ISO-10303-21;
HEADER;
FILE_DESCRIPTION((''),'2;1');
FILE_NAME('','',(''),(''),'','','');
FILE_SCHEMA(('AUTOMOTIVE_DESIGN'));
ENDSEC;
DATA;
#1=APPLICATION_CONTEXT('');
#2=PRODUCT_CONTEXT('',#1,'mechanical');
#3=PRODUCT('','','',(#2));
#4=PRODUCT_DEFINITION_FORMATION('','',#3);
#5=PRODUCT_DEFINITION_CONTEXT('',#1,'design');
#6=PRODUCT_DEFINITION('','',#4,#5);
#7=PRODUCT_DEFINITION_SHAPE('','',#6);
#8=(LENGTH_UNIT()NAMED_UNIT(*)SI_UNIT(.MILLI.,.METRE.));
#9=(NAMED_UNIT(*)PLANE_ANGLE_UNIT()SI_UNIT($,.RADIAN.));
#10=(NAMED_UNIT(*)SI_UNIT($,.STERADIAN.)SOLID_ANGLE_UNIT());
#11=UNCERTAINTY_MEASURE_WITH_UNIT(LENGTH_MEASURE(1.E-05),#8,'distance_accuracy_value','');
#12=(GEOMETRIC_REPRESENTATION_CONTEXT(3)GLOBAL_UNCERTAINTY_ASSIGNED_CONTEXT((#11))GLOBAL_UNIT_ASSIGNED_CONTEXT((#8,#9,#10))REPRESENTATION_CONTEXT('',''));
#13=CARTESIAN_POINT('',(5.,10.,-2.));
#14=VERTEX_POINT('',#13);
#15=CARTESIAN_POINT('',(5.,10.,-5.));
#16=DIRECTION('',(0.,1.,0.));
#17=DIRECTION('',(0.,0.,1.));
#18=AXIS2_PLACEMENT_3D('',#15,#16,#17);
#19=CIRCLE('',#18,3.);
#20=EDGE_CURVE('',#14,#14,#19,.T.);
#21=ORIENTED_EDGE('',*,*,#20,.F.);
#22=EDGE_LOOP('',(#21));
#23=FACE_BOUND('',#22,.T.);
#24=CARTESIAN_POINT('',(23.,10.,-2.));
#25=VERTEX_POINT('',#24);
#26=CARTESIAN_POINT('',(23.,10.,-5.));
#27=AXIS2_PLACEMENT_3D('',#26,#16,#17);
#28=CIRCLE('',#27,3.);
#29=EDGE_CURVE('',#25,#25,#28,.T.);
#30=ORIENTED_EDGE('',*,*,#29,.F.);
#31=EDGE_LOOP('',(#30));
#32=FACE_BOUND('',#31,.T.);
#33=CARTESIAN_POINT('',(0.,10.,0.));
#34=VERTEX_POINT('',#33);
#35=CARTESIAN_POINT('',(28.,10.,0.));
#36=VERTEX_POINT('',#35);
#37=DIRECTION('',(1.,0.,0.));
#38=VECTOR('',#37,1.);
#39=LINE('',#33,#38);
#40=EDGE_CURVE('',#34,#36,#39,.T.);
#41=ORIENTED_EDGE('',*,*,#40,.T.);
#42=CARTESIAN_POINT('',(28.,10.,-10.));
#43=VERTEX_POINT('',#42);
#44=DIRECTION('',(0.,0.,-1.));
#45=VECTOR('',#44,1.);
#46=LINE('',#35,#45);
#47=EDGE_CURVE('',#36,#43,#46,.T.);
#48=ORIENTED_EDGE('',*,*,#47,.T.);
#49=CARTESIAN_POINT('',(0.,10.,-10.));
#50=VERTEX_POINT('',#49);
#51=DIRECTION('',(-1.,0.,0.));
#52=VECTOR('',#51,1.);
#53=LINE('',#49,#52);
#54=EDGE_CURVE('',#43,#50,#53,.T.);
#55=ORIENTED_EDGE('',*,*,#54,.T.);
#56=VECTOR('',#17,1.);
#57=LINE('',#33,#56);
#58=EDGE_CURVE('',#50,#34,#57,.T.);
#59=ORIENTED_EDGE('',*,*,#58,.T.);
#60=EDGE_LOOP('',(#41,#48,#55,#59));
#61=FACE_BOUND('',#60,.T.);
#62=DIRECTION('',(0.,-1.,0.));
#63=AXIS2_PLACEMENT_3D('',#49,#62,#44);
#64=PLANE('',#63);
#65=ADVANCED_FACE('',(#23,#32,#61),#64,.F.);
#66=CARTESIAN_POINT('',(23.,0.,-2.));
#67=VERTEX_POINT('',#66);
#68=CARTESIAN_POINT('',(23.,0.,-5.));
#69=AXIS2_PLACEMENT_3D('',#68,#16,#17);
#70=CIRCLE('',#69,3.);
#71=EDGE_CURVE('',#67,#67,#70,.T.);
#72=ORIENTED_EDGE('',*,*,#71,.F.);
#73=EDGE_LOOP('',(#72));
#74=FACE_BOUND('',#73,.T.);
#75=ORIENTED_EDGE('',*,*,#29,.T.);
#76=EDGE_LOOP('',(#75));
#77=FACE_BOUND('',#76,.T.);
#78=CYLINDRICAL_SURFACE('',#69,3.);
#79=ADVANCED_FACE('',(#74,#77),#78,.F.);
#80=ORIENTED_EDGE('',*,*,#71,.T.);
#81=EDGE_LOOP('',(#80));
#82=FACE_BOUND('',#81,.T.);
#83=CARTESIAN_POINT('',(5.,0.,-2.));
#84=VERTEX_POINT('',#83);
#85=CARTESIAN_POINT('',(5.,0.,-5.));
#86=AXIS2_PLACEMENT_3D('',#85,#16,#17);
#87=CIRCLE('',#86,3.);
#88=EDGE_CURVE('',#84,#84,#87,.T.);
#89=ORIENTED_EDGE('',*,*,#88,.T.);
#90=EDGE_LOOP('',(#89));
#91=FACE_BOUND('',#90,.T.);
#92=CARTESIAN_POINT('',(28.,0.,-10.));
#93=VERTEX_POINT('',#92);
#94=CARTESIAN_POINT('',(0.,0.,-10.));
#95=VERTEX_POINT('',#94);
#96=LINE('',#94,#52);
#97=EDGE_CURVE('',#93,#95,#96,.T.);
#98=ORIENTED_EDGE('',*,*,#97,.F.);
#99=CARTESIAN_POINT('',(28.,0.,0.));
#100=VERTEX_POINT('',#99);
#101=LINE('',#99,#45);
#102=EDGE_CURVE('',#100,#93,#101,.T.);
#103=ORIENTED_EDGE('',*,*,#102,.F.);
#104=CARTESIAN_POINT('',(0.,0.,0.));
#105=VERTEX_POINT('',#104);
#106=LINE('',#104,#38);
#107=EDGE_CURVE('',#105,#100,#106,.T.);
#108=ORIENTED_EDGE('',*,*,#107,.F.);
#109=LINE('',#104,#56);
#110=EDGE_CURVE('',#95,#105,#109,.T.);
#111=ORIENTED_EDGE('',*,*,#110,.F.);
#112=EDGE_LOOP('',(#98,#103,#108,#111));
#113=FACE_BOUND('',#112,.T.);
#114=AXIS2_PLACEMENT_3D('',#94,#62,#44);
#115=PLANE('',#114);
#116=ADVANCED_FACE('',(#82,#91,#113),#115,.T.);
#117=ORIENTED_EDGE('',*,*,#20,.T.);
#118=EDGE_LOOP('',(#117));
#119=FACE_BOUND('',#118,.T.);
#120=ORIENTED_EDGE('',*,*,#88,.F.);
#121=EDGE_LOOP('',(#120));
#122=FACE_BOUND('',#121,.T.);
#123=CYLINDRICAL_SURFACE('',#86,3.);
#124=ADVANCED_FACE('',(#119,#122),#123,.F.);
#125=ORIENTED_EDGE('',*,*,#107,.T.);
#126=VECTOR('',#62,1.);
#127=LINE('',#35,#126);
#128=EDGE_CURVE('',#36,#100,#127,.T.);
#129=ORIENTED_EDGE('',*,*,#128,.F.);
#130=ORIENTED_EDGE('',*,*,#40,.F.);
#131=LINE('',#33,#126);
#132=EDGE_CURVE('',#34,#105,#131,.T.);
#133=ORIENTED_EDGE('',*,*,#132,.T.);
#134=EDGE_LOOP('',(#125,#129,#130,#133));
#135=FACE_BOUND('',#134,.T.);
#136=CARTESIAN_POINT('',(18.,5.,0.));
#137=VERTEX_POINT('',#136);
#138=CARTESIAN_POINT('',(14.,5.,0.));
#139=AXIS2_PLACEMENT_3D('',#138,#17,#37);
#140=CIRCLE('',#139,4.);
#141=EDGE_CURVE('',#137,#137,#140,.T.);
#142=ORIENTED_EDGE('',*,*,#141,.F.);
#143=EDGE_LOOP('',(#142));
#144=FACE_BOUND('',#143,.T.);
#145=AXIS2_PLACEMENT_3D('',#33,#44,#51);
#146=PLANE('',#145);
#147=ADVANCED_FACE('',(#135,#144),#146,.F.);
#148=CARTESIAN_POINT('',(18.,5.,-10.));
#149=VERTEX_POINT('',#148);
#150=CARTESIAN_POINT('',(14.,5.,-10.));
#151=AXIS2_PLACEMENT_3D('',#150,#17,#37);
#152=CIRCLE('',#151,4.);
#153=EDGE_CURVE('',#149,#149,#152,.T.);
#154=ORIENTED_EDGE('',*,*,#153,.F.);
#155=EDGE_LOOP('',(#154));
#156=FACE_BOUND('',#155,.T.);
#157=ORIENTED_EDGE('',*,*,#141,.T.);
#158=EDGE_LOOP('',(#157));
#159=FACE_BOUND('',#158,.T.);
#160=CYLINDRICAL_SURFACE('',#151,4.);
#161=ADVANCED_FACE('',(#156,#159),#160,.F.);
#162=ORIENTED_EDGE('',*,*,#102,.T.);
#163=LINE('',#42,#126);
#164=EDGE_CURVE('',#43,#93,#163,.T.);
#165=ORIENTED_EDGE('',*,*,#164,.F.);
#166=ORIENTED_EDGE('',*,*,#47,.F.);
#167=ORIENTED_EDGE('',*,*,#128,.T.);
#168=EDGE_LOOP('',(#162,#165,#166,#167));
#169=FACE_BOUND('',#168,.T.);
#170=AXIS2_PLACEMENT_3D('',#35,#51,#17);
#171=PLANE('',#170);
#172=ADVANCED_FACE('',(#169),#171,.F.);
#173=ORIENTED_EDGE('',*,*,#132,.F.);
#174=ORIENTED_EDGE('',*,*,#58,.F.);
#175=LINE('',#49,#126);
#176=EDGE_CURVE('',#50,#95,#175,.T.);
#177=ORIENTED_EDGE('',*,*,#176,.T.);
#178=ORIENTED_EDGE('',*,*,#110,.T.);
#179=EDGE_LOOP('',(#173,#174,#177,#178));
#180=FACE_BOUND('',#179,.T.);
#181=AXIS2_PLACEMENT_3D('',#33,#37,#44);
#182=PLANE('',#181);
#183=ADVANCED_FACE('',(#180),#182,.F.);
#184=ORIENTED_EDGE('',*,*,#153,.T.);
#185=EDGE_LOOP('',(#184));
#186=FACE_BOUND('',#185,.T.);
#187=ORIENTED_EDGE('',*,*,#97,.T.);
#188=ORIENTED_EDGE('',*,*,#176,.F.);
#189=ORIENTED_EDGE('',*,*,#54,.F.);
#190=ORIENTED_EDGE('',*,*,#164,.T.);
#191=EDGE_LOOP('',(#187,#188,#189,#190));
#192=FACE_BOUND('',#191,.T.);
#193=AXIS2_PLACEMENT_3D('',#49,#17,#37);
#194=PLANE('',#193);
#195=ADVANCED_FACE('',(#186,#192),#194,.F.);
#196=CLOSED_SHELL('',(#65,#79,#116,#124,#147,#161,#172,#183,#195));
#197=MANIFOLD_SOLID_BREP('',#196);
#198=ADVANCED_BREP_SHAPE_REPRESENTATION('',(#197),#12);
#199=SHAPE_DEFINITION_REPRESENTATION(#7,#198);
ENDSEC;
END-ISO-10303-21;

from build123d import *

# Parameters (mm, degrees)
ESQUISSE1_W      = 28
ESQUISSE1_H      = 10
EXTRUSION1_DEPTH = 10
ESQUISSE2_R      = 4
EXTRUSION2_DEPTH = 32.368774283
ESQUISSE3_R      = 3
EXTRUSION3_DEPTH = 32.368774283


with BuildPart() as part:
    # Esquisse1 → Extrusion1 (new body)
    with BuildSketch(Plane(origin=(0, 0, 0), x_dir=(1, 0, 0), z_dir=(0, 1, 0))):
        with Locations((14, 5)):
            Rectangle(ESQUISSE1_W, ESQUISSE1_H)
    extrude(amount=EXTRUSION1_DEPTH)

    # Esquisse2 → Extrusion2 (cut, through all)
    with BuildSketch(Plane.XY):
        with Locations((14, 5)):
            Circle(ESQUISSE2_R)
    extrude(amount=-EXTRUSION2_DEPTH, mode=Mode.SUBTRACT)

    # Esquisse3 → Extrusion3 (cut, through all)
    with BuildSketch(Plane(origin=(0, 10, 0), x_dir=(1, 0, 0), z_dir=(0, 1, 0))):
        with Locations(Location((5, 5, 0), (0, 0, 270))):
            Circle(ESQUISSE3_R)
        with Locations(Location((23, 5, 0), (0, 0, 270))):
            Circle(ESQUISSE3_R)
    extrude(amount=-EXTRUSION3_DEPTH, mode=Mode.SUBTRACT)


solid = part.part
